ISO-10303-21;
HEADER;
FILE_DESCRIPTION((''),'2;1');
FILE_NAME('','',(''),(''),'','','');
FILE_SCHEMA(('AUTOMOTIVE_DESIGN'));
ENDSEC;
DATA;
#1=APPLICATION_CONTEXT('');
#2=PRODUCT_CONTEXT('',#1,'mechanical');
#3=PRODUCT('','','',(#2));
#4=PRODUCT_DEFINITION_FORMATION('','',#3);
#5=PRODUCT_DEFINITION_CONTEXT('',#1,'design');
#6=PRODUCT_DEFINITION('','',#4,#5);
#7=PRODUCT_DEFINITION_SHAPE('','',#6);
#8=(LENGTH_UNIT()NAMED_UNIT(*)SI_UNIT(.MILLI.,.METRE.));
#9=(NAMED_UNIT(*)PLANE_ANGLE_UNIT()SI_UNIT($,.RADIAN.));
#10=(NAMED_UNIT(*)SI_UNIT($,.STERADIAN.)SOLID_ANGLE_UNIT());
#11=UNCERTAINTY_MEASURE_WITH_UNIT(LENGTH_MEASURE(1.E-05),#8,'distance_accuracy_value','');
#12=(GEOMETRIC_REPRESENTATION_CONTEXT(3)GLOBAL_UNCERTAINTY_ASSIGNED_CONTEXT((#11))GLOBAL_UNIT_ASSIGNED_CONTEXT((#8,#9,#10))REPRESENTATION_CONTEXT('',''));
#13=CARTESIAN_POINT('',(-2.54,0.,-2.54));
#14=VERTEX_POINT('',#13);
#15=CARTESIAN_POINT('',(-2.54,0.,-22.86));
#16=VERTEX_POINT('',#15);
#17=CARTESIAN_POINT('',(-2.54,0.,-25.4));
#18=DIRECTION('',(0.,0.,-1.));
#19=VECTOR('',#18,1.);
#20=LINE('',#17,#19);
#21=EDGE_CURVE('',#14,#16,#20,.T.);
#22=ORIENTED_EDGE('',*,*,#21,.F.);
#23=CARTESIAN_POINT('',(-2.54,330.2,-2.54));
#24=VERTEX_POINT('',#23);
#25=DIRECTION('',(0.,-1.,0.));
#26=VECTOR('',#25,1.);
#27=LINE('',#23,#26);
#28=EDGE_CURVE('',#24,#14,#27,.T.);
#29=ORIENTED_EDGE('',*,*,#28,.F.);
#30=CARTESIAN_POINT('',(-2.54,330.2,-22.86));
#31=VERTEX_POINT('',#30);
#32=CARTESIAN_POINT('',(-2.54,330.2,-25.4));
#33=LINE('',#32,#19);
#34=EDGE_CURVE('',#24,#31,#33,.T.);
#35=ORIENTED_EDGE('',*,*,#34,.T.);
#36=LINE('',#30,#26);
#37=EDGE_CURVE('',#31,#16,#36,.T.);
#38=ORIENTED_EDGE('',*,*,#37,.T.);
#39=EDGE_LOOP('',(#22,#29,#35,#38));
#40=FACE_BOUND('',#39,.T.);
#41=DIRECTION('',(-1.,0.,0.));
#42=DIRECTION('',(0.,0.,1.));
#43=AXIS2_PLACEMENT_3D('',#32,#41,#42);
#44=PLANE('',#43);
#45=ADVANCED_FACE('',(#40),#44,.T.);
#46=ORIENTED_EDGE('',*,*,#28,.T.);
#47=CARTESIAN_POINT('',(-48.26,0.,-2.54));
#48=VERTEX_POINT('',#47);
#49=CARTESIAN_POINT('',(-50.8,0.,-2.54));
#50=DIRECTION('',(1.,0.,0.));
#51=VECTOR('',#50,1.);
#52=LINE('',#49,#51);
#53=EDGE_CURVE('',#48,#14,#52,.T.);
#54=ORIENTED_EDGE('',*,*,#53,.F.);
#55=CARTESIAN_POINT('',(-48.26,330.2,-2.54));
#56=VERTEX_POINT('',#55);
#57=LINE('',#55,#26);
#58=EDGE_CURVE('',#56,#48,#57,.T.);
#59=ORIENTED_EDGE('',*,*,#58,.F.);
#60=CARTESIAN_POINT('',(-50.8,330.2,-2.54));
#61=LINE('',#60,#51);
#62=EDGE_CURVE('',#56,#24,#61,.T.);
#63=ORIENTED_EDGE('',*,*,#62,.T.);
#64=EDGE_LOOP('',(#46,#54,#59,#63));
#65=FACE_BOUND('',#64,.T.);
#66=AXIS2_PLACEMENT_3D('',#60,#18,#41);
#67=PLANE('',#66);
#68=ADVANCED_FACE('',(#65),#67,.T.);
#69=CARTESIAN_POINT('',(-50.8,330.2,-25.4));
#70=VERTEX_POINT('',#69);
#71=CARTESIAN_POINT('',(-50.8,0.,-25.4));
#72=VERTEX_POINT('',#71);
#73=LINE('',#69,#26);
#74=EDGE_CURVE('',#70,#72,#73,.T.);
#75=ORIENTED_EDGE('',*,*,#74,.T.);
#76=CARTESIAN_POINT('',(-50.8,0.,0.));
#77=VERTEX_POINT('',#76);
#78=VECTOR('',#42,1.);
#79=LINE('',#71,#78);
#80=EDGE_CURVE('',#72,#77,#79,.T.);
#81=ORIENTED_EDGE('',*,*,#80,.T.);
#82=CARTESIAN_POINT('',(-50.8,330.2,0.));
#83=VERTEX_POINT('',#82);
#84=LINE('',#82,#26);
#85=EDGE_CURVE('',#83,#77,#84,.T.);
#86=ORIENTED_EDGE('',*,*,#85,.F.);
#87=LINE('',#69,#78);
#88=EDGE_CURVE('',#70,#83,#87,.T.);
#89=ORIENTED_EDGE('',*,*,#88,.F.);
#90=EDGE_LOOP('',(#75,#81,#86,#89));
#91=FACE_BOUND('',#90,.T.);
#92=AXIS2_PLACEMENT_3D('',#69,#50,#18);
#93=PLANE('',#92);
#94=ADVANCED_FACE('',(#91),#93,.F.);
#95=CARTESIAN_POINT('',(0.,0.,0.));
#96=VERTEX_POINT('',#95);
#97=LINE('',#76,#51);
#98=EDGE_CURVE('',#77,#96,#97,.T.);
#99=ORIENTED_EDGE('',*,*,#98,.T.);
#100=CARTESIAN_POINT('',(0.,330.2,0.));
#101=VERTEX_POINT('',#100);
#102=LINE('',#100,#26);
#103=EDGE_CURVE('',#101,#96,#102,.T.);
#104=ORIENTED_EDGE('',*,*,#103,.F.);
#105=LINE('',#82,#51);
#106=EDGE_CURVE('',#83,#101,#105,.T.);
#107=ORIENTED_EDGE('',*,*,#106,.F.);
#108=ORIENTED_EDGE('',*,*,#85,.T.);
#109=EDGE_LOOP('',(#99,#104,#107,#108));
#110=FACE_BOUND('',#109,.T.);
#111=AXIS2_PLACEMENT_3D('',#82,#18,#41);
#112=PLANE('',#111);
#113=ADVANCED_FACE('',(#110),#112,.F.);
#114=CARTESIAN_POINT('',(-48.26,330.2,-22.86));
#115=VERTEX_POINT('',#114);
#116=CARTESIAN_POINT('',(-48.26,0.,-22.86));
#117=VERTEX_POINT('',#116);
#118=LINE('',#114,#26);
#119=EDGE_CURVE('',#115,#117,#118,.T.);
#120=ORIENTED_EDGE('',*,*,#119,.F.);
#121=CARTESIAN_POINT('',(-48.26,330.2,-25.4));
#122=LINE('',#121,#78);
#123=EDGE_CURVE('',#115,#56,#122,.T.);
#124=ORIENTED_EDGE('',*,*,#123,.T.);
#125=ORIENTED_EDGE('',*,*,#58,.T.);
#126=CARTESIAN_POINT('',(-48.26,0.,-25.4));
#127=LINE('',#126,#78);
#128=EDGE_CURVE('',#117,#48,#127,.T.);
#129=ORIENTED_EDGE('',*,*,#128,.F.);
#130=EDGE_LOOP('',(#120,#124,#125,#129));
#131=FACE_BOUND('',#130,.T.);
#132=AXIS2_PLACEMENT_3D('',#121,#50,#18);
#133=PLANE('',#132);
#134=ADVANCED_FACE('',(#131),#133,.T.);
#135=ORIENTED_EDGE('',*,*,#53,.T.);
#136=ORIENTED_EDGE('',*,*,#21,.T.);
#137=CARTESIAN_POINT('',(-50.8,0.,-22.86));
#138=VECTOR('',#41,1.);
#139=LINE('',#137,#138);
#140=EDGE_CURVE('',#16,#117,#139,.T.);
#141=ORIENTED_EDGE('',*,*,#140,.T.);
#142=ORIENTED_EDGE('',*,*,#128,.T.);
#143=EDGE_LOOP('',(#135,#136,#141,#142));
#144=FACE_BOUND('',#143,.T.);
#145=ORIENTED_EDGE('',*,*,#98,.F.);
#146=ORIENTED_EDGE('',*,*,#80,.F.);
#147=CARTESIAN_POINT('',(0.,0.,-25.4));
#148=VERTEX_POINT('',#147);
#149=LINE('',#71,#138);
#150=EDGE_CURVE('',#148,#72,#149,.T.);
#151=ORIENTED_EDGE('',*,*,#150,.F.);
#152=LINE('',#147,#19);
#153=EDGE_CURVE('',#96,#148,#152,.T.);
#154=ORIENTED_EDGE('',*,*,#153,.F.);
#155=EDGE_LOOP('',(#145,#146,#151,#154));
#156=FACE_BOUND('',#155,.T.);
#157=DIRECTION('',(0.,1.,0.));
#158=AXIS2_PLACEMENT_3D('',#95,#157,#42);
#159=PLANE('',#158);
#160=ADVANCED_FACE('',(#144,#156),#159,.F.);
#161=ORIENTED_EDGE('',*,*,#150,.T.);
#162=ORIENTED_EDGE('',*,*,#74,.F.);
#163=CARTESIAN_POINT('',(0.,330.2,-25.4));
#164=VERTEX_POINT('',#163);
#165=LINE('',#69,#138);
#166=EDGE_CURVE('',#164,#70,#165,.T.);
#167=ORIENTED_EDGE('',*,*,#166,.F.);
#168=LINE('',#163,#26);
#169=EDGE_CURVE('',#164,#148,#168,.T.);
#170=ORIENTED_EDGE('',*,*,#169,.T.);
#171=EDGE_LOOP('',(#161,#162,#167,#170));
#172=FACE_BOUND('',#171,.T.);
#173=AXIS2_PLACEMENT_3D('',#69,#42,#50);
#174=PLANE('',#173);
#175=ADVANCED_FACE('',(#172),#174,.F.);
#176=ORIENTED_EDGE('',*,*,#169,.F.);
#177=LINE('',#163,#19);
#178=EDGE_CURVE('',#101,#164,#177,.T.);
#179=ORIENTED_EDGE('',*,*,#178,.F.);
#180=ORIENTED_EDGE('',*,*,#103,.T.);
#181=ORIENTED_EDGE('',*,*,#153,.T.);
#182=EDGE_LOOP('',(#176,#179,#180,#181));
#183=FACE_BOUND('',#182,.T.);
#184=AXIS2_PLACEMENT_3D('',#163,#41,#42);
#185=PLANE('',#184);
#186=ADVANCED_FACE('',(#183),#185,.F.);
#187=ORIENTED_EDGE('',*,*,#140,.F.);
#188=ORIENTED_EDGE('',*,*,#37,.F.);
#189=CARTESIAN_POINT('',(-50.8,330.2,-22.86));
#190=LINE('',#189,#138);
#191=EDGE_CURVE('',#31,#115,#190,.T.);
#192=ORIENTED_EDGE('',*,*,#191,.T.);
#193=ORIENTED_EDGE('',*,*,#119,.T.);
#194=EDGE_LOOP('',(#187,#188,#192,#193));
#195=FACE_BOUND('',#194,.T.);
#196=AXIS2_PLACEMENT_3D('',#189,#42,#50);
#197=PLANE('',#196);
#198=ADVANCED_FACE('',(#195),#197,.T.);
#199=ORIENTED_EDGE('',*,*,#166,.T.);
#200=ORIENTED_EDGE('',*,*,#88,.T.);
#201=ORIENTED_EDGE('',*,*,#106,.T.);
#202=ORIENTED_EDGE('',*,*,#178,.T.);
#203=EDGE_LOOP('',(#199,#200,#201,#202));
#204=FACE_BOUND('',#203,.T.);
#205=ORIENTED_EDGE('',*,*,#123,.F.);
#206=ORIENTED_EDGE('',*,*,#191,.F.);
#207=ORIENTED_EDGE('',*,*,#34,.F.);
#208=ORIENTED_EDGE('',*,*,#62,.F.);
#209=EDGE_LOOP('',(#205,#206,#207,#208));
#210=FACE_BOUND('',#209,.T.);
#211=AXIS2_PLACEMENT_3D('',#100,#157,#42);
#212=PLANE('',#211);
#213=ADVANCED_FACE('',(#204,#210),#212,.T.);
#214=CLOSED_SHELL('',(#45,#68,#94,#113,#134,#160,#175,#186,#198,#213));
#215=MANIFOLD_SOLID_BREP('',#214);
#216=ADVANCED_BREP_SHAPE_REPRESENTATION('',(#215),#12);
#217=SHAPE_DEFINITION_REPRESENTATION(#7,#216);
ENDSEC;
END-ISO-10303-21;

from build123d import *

# Parameters (mm, degrees)
SKETCH1_W           = 50.8
SKETCH1_H           = 25.4
SKETCH1_W_2         = 45.72
SKETCH1_H_2         = 20.32
EXTRUDE_THIN1_DEPTH = 330.2


with BuildPart() as part:
    # Sketch1 → Extrude-Thin1 (new body)
    with BuildSketch(Plane(origin=(0, 0, 0), x_dir=(1, 0, 0), z_dir=(0, 1, 0))):
        with Locations((-25.4, 12.7)):
            Rectangle(SKETCH1_W, SKETCH1_H)
        with Locations((-25.4, 12.7)):
            Rectangle(SKETCH1_W_2, SKETCH1_H_2, mode=Mode.SUBTRACT)
    extrude(amount=EXTRUDE_THIN1_DEPTH)


solid = part.part
